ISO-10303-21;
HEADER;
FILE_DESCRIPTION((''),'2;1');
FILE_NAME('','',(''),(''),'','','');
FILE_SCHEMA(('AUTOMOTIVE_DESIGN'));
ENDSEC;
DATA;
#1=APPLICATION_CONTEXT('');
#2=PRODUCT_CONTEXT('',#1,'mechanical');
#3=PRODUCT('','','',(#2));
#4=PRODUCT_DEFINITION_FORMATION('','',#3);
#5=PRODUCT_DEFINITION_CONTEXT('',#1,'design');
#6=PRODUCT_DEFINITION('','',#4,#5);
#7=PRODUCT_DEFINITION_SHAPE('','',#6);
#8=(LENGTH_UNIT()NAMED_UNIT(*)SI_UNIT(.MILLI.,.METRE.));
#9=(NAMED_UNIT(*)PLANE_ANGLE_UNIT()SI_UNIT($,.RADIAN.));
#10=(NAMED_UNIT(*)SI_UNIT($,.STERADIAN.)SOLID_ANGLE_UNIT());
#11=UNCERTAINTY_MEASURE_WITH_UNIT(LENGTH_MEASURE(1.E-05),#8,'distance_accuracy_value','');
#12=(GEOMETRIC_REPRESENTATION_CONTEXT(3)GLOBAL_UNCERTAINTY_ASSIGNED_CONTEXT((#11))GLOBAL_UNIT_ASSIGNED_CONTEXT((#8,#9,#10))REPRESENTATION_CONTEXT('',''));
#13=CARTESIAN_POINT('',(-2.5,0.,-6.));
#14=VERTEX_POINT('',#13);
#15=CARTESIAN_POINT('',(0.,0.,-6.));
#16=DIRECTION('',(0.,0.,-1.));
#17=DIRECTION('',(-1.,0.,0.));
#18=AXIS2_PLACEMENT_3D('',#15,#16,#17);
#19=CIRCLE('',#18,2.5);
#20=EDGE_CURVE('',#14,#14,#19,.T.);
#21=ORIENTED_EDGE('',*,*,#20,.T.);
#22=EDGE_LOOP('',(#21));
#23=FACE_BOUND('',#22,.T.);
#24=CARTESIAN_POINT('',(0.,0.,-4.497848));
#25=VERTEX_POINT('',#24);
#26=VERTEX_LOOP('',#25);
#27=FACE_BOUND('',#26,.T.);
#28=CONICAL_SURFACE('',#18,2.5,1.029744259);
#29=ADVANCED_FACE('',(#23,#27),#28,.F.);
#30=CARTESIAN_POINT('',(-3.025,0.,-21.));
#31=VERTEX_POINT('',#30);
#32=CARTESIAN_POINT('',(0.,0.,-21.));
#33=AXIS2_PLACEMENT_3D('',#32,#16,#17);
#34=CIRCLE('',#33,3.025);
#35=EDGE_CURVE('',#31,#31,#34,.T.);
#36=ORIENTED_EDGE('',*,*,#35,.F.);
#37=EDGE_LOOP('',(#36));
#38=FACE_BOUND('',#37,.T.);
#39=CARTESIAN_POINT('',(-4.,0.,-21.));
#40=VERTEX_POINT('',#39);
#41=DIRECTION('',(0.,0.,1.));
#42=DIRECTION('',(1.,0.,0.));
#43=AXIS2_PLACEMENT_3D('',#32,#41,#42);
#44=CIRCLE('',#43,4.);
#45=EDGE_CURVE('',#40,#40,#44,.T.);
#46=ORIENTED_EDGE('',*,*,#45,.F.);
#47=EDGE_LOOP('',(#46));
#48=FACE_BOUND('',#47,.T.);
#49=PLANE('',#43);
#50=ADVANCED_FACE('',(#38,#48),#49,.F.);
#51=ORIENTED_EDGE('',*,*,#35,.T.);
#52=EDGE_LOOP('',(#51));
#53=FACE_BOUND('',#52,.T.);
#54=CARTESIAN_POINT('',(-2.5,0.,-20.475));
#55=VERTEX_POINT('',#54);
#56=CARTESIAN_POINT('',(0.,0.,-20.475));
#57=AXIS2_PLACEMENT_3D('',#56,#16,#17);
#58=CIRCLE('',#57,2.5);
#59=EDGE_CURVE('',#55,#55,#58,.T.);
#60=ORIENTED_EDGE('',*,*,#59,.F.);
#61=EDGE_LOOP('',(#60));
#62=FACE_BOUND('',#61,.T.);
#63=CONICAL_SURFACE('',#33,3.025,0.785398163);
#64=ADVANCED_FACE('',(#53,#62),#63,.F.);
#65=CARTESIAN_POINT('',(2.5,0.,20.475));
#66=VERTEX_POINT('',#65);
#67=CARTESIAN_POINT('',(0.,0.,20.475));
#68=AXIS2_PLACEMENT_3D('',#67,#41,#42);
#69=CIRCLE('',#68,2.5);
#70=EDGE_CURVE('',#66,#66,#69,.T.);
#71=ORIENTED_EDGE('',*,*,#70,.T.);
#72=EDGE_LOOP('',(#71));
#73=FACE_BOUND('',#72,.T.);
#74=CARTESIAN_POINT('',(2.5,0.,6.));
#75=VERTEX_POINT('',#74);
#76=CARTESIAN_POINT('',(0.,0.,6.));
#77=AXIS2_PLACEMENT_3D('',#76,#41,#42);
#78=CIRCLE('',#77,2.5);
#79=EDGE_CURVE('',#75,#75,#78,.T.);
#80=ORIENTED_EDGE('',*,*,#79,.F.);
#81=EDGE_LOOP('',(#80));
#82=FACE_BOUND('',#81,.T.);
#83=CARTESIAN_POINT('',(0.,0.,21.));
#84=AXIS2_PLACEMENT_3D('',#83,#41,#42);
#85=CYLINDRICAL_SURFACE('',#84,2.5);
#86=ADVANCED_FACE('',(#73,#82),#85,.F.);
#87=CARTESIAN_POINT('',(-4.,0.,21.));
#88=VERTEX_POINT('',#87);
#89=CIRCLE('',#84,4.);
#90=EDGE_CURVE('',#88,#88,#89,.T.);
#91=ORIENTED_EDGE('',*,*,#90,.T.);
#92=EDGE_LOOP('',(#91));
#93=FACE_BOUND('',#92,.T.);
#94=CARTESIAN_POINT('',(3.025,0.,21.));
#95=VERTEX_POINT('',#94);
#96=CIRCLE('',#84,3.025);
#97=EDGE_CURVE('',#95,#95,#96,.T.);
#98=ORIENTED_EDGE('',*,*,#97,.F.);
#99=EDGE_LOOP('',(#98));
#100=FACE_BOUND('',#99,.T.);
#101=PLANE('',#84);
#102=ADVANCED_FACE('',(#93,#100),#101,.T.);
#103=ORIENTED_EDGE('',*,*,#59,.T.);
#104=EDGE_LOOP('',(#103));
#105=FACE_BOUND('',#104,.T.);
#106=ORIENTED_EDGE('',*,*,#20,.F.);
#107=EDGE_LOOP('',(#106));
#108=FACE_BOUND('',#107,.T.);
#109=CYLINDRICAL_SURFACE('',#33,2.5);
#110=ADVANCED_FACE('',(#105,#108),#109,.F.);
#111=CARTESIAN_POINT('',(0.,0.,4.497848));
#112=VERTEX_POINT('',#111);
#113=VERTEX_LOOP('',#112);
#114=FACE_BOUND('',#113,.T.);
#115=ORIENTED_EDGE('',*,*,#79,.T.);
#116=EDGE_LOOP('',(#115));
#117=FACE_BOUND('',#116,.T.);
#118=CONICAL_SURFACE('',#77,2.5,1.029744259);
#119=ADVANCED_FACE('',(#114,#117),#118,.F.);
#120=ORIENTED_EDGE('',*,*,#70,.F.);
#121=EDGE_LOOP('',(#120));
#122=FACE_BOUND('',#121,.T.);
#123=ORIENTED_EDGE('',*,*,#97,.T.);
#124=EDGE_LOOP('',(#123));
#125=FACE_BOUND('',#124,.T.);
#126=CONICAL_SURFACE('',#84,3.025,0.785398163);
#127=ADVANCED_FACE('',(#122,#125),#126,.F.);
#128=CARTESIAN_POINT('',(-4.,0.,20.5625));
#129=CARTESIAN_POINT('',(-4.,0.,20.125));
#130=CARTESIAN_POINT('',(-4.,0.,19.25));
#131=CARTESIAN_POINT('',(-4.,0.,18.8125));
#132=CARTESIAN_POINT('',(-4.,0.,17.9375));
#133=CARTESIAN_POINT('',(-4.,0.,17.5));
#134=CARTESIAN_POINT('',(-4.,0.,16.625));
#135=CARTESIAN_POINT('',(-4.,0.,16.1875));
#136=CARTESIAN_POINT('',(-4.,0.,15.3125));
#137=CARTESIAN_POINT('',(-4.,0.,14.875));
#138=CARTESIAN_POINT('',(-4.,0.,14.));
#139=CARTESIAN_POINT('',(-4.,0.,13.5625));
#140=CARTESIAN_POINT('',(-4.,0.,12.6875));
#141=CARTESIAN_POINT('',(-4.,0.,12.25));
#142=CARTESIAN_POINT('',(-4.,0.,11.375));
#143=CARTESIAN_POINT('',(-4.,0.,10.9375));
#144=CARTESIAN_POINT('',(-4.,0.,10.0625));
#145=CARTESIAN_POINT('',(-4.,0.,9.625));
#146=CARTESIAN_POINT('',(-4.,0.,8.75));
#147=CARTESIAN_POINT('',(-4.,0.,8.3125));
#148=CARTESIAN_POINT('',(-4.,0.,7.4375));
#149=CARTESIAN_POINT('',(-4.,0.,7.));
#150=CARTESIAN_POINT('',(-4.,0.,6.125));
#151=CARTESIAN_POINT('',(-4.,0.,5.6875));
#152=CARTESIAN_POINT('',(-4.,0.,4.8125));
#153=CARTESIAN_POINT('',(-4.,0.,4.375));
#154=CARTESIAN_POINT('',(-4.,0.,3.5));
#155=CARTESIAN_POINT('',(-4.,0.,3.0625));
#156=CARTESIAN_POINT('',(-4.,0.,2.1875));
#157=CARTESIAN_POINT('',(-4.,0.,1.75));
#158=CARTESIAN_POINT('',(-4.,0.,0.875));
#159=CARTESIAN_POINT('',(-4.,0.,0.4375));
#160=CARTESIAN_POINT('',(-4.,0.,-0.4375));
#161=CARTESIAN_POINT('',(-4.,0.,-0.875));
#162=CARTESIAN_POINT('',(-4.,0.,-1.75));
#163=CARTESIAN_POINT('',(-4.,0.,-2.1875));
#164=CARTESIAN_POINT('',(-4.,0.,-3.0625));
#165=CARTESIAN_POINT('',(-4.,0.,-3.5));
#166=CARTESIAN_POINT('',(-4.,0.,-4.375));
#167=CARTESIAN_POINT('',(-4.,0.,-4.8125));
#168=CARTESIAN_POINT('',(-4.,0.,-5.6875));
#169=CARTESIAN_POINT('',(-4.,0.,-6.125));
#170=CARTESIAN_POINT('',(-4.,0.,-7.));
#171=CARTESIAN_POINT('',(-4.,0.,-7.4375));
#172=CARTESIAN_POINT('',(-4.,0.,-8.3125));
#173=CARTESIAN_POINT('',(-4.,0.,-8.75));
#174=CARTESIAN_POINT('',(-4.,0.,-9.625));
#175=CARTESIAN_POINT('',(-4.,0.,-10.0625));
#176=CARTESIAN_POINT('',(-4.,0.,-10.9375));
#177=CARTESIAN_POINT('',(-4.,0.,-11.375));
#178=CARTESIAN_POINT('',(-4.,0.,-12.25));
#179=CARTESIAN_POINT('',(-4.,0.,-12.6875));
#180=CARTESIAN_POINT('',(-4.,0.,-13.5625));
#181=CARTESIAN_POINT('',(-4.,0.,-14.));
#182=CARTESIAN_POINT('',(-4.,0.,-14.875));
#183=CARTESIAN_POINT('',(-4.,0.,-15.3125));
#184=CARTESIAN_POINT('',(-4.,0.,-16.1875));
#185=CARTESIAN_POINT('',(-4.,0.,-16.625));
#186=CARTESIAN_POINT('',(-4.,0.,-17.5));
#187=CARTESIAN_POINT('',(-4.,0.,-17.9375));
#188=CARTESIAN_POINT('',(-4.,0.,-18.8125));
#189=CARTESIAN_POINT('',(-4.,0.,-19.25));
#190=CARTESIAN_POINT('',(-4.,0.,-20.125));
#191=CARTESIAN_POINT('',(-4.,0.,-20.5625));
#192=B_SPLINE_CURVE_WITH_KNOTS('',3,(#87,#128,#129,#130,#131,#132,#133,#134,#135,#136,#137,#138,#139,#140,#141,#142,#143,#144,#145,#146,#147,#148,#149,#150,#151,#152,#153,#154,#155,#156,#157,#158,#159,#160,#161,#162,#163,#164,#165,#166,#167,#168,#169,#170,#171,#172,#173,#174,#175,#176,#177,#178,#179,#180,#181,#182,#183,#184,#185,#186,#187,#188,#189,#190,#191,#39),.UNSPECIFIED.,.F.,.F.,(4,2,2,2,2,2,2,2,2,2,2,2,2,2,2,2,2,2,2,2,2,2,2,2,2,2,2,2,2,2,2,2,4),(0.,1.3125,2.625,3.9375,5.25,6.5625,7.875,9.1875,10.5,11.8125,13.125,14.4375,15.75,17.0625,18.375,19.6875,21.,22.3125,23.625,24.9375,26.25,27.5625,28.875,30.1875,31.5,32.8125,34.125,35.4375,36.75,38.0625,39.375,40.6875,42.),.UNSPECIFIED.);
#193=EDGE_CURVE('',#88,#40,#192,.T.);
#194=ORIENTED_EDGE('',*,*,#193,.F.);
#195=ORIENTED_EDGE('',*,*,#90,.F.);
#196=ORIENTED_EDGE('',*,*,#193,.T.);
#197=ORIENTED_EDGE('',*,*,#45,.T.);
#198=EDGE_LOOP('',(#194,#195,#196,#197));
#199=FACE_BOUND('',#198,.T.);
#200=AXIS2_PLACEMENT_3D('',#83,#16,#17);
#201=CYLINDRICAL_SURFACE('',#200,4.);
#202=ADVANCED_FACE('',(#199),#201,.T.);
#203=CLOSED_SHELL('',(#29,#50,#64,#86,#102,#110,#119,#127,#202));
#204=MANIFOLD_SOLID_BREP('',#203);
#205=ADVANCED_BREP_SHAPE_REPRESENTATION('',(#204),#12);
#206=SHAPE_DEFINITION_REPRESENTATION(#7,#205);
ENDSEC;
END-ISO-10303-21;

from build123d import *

# Parameters (mm, degrees)
ESBO_O1_R                = 4
RESSALTO_EXTRUS_O1_DEPTH = 21


with BuildPart() as part:
    # Esboço1 → Ressalto-extrusão1 (new, symmetric)
    with BuildSketch(Plane.XY):
        with Locations(Location((0, 0, 0), (0, 0, 180))):
            Circle(ESBO_O1_R)
    extrude(amount=RESSALTO_EXTRUS_O1_DEPTH, both=True)

    # Esboço3 → Furo roscado de M61 (revolve, cut)
    with BuildSketch(Plane(origin=(0, 0, 21), x_dir=(0, -1, 0), z_dir=(1, 0, 0))):
        Polygon((0, 0), (0, 16.502151548), (2.5, 15), (2.5, 0.525), (3.025, 0), align=None)
    furo_roscado_de_m61 = revolve(axis=Axis((0, 0, 27.35), (0, 0, -1)), mode=Mode.SUBTRACT)

    # Espelhar2: Furo roscado de M61 across plane
    add(furo_roscado_de_m61.mirror(Plane.XY), mode=Mode.SUBTRACT)


solid = part.part
